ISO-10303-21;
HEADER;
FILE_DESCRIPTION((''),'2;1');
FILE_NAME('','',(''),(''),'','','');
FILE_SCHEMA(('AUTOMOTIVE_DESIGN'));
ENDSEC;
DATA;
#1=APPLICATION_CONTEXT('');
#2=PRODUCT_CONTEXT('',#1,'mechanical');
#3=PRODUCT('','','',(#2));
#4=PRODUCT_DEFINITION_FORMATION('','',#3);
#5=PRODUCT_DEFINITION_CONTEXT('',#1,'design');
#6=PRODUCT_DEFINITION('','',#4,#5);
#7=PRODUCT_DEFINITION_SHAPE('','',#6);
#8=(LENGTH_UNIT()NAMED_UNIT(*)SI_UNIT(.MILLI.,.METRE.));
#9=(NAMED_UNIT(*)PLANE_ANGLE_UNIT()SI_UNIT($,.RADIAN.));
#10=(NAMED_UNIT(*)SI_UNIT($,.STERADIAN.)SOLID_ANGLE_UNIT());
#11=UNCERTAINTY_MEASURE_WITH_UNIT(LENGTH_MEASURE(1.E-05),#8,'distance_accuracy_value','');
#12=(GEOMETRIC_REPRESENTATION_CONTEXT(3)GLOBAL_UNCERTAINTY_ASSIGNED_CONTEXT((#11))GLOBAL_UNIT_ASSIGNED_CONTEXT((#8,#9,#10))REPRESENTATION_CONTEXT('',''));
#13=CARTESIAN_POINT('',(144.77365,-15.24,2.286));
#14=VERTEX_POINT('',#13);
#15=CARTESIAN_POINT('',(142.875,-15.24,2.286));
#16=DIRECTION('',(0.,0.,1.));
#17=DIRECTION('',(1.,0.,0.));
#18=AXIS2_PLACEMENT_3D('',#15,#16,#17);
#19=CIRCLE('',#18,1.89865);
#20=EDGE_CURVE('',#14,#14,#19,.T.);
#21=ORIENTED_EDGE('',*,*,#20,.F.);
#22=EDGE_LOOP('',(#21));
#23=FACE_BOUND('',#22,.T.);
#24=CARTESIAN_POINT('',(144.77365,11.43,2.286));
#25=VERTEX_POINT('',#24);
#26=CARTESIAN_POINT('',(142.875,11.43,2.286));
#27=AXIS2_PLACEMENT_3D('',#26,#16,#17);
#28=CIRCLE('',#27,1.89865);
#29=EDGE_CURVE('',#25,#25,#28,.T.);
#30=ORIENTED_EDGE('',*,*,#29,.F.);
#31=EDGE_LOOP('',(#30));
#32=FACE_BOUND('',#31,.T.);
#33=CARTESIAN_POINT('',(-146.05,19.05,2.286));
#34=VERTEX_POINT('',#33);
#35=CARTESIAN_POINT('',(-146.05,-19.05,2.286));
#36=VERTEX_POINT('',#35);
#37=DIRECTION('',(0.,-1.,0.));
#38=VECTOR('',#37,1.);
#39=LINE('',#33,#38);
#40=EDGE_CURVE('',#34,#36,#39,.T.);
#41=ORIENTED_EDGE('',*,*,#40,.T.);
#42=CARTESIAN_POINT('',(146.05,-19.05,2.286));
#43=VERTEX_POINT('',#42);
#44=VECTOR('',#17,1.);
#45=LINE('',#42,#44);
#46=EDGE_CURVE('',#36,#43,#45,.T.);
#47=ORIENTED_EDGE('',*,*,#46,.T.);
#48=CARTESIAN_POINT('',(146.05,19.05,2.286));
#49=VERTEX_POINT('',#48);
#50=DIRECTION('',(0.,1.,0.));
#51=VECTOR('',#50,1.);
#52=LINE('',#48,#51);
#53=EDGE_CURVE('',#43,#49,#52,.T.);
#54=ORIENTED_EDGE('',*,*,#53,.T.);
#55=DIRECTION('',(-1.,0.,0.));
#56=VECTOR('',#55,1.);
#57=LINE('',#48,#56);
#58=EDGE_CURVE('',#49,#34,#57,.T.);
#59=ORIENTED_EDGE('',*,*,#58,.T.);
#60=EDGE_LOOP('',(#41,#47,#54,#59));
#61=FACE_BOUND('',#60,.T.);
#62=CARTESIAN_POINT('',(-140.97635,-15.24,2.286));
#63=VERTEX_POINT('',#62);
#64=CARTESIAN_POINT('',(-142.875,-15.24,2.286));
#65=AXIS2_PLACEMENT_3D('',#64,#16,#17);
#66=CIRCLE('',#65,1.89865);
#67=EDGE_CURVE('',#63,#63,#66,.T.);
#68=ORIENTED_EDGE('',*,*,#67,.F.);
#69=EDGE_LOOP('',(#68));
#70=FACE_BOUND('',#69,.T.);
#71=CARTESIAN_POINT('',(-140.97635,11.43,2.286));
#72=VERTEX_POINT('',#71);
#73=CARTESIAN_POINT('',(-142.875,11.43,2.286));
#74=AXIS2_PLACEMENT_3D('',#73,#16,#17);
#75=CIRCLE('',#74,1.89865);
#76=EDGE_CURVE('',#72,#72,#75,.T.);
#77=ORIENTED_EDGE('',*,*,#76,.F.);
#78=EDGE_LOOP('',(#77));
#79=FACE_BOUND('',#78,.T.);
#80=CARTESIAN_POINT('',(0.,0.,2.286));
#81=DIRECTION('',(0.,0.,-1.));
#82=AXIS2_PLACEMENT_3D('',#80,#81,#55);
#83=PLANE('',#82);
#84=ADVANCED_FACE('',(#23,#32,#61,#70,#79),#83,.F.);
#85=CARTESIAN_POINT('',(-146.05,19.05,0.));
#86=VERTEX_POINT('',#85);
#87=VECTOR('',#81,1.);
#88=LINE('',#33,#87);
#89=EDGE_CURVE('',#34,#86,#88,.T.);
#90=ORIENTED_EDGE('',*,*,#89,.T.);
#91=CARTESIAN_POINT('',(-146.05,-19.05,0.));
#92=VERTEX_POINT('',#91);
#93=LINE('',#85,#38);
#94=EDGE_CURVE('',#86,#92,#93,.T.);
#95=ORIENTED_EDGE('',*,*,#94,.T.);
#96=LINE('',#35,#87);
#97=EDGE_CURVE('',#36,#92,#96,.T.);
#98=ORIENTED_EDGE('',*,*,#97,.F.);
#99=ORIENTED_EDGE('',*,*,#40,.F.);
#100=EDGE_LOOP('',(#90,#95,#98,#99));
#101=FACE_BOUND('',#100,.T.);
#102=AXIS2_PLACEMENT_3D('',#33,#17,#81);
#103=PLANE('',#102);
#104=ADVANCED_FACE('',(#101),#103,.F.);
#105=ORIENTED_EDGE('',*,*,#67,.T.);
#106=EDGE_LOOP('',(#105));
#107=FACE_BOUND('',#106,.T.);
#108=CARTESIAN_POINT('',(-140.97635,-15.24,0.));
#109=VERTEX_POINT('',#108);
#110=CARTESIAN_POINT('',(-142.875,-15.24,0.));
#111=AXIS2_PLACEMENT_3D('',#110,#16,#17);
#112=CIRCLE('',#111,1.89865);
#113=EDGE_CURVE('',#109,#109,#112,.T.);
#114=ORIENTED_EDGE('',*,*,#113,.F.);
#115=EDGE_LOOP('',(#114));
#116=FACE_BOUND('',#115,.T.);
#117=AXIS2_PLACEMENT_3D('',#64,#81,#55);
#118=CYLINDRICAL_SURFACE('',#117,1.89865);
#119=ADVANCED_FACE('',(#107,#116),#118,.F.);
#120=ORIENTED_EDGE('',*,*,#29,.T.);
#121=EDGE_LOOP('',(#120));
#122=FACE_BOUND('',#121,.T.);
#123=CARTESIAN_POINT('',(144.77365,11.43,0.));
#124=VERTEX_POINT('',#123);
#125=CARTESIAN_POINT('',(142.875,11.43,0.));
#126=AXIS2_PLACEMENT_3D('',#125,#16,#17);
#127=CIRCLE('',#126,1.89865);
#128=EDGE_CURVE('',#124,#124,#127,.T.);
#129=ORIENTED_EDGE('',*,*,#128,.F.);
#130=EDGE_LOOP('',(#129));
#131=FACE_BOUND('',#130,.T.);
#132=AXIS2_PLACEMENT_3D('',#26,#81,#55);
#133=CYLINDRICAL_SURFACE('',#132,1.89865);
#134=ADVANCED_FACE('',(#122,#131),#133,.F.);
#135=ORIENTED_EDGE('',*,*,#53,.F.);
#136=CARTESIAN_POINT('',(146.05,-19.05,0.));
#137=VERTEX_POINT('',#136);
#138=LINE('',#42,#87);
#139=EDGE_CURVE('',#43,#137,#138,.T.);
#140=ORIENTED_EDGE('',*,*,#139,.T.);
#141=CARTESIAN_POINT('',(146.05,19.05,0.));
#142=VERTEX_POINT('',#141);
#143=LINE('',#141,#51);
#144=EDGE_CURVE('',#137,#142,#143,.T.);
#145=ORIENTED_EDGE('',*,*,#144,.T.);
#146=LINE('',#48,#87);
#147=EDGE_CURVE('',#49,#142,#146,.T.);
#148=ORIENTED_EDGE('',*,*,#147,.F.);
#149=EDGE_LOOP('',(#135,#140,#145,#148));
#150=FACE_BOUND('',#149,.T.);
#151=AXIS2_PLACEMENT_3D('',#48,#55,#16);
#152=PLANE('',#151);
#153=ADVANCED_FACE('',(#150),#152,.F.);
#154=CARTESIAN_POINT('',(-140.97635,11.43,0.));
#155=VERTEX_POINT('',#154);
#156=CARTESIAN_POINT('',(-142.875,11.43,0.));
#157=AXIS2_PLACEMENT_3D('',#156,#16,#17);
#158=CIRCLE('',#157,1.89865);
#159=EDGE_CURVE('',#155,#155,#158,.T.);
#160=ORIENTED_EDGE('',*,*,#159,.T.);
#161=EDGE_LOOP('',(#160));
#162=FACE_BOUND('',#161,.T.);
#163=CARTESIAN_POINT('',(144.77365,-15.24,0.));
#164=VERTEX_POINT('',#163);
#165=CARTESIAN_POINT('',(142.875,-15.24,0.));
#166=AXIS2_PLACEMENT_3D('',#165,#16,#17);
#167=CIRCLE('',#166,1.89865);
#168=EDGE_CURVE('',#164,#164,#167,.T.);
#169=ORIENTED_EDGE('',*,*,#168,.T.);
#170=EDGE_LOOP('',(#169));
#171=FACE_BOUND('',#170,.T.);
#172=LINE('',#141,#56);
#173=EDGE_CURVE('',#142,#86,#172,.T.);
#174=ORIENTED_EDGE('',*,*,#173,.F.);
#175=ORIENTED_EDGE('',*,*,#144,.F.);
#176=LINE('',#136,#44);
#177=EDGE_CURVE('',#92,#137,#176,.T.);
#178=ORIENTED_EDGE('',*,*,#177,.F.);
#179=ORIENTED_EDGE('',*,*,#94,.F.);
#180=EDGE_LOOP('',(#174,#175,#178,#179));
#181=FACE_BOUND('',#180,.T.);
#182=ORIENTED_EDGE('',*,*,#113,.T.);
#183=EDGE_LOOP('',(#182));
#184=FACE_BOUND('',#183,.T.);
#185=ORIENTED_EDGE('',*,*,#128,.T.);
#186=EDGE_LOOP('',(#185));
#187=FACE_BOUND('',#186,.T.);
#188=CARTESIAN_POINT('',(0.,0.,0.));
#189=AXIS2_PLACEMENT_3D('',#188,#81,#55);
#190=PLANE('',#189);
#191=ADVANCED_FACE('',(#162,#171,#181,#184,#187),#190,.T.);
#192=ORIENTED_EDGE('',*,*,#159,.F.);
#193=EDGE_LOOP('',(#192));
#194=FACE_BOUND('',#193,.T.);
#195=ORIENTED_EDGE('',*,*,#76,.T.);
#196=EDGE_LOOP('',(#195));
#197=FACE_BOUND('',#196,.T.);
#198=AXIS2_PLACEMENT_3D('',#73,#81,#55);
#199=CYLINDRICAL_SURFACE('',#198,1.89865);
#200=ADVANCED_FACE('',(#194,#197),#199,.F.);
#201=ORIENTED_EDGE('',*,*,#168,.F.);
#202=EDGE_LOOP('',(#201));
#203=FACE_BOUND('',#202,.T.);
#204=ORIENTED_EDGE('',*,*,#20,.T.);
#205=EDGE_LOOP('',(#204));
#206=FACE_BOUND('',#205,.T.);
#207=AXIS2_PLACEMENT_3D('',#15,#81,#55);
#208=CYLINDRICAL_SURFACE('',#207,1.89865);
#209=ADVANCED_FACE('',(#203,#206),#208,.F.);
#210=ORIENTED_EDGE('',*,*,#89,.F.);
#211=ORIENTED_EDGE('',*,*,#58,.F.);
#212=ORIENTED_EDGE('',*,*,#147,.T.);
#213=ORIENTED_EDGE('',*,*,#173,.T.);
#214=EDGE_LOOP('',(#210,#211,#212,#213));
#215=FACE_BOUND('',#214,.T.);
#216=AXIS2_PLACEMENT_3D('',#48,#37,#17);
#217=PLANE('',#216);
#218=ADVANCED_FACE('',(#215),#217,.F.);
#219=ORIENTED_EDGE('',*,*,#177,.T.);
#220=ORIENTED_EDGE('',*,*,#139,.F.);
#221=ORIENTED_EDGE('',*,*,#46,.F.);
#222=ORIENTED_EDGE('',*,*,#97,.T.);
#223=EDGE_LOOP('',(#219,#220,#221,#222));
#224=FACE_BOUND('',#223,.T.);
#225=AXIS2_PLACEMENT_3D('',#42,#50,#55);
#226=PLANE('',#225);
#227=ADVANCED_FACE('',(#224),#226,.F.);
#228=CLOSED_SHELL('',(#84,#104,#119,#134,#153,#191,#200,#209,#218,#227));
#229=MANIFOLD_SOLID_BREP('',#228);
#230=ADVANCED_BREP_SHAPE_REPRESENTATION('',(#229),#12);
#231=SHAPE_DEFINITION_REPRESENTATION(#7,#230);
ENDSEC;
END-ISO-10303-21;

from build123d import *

# Parameters (mm, degrees)
SKETCH1_W           = 292.1
SKETCH1_H           = 38.1
SKETCH1_R           = 1.89865
BOSS_EXTRUDE1_DEPTH = 2.286


with BuildPart() as part:
    # Sketch1 → Boss-Extrude1 (new body)
    with BuildSketch(Plane.XY):
        Rectangle(SKETCH1_W, SKETCH1_H)
        with Locations((-142.875, 11.43)):
            Circle(SKETCH1_R, mode=Mode.SUBTRACT)
        with Locations((-142.875, -15.24)):
            Circle(SKETCH1_R, mode=Mode.SUBTRACT)
        with Locations((142.875, 11.43)):
            Circle(SKETCH1_R, mode=Mode.SUBTRACT)
        with Locations((142.875, -15.24)):
            Circle(SKETCH1_R, mode=Mode.SUBTRACT)
    extrude(amount=BOSS_EXTRUDE1_DEPTH)


solid = part.part
